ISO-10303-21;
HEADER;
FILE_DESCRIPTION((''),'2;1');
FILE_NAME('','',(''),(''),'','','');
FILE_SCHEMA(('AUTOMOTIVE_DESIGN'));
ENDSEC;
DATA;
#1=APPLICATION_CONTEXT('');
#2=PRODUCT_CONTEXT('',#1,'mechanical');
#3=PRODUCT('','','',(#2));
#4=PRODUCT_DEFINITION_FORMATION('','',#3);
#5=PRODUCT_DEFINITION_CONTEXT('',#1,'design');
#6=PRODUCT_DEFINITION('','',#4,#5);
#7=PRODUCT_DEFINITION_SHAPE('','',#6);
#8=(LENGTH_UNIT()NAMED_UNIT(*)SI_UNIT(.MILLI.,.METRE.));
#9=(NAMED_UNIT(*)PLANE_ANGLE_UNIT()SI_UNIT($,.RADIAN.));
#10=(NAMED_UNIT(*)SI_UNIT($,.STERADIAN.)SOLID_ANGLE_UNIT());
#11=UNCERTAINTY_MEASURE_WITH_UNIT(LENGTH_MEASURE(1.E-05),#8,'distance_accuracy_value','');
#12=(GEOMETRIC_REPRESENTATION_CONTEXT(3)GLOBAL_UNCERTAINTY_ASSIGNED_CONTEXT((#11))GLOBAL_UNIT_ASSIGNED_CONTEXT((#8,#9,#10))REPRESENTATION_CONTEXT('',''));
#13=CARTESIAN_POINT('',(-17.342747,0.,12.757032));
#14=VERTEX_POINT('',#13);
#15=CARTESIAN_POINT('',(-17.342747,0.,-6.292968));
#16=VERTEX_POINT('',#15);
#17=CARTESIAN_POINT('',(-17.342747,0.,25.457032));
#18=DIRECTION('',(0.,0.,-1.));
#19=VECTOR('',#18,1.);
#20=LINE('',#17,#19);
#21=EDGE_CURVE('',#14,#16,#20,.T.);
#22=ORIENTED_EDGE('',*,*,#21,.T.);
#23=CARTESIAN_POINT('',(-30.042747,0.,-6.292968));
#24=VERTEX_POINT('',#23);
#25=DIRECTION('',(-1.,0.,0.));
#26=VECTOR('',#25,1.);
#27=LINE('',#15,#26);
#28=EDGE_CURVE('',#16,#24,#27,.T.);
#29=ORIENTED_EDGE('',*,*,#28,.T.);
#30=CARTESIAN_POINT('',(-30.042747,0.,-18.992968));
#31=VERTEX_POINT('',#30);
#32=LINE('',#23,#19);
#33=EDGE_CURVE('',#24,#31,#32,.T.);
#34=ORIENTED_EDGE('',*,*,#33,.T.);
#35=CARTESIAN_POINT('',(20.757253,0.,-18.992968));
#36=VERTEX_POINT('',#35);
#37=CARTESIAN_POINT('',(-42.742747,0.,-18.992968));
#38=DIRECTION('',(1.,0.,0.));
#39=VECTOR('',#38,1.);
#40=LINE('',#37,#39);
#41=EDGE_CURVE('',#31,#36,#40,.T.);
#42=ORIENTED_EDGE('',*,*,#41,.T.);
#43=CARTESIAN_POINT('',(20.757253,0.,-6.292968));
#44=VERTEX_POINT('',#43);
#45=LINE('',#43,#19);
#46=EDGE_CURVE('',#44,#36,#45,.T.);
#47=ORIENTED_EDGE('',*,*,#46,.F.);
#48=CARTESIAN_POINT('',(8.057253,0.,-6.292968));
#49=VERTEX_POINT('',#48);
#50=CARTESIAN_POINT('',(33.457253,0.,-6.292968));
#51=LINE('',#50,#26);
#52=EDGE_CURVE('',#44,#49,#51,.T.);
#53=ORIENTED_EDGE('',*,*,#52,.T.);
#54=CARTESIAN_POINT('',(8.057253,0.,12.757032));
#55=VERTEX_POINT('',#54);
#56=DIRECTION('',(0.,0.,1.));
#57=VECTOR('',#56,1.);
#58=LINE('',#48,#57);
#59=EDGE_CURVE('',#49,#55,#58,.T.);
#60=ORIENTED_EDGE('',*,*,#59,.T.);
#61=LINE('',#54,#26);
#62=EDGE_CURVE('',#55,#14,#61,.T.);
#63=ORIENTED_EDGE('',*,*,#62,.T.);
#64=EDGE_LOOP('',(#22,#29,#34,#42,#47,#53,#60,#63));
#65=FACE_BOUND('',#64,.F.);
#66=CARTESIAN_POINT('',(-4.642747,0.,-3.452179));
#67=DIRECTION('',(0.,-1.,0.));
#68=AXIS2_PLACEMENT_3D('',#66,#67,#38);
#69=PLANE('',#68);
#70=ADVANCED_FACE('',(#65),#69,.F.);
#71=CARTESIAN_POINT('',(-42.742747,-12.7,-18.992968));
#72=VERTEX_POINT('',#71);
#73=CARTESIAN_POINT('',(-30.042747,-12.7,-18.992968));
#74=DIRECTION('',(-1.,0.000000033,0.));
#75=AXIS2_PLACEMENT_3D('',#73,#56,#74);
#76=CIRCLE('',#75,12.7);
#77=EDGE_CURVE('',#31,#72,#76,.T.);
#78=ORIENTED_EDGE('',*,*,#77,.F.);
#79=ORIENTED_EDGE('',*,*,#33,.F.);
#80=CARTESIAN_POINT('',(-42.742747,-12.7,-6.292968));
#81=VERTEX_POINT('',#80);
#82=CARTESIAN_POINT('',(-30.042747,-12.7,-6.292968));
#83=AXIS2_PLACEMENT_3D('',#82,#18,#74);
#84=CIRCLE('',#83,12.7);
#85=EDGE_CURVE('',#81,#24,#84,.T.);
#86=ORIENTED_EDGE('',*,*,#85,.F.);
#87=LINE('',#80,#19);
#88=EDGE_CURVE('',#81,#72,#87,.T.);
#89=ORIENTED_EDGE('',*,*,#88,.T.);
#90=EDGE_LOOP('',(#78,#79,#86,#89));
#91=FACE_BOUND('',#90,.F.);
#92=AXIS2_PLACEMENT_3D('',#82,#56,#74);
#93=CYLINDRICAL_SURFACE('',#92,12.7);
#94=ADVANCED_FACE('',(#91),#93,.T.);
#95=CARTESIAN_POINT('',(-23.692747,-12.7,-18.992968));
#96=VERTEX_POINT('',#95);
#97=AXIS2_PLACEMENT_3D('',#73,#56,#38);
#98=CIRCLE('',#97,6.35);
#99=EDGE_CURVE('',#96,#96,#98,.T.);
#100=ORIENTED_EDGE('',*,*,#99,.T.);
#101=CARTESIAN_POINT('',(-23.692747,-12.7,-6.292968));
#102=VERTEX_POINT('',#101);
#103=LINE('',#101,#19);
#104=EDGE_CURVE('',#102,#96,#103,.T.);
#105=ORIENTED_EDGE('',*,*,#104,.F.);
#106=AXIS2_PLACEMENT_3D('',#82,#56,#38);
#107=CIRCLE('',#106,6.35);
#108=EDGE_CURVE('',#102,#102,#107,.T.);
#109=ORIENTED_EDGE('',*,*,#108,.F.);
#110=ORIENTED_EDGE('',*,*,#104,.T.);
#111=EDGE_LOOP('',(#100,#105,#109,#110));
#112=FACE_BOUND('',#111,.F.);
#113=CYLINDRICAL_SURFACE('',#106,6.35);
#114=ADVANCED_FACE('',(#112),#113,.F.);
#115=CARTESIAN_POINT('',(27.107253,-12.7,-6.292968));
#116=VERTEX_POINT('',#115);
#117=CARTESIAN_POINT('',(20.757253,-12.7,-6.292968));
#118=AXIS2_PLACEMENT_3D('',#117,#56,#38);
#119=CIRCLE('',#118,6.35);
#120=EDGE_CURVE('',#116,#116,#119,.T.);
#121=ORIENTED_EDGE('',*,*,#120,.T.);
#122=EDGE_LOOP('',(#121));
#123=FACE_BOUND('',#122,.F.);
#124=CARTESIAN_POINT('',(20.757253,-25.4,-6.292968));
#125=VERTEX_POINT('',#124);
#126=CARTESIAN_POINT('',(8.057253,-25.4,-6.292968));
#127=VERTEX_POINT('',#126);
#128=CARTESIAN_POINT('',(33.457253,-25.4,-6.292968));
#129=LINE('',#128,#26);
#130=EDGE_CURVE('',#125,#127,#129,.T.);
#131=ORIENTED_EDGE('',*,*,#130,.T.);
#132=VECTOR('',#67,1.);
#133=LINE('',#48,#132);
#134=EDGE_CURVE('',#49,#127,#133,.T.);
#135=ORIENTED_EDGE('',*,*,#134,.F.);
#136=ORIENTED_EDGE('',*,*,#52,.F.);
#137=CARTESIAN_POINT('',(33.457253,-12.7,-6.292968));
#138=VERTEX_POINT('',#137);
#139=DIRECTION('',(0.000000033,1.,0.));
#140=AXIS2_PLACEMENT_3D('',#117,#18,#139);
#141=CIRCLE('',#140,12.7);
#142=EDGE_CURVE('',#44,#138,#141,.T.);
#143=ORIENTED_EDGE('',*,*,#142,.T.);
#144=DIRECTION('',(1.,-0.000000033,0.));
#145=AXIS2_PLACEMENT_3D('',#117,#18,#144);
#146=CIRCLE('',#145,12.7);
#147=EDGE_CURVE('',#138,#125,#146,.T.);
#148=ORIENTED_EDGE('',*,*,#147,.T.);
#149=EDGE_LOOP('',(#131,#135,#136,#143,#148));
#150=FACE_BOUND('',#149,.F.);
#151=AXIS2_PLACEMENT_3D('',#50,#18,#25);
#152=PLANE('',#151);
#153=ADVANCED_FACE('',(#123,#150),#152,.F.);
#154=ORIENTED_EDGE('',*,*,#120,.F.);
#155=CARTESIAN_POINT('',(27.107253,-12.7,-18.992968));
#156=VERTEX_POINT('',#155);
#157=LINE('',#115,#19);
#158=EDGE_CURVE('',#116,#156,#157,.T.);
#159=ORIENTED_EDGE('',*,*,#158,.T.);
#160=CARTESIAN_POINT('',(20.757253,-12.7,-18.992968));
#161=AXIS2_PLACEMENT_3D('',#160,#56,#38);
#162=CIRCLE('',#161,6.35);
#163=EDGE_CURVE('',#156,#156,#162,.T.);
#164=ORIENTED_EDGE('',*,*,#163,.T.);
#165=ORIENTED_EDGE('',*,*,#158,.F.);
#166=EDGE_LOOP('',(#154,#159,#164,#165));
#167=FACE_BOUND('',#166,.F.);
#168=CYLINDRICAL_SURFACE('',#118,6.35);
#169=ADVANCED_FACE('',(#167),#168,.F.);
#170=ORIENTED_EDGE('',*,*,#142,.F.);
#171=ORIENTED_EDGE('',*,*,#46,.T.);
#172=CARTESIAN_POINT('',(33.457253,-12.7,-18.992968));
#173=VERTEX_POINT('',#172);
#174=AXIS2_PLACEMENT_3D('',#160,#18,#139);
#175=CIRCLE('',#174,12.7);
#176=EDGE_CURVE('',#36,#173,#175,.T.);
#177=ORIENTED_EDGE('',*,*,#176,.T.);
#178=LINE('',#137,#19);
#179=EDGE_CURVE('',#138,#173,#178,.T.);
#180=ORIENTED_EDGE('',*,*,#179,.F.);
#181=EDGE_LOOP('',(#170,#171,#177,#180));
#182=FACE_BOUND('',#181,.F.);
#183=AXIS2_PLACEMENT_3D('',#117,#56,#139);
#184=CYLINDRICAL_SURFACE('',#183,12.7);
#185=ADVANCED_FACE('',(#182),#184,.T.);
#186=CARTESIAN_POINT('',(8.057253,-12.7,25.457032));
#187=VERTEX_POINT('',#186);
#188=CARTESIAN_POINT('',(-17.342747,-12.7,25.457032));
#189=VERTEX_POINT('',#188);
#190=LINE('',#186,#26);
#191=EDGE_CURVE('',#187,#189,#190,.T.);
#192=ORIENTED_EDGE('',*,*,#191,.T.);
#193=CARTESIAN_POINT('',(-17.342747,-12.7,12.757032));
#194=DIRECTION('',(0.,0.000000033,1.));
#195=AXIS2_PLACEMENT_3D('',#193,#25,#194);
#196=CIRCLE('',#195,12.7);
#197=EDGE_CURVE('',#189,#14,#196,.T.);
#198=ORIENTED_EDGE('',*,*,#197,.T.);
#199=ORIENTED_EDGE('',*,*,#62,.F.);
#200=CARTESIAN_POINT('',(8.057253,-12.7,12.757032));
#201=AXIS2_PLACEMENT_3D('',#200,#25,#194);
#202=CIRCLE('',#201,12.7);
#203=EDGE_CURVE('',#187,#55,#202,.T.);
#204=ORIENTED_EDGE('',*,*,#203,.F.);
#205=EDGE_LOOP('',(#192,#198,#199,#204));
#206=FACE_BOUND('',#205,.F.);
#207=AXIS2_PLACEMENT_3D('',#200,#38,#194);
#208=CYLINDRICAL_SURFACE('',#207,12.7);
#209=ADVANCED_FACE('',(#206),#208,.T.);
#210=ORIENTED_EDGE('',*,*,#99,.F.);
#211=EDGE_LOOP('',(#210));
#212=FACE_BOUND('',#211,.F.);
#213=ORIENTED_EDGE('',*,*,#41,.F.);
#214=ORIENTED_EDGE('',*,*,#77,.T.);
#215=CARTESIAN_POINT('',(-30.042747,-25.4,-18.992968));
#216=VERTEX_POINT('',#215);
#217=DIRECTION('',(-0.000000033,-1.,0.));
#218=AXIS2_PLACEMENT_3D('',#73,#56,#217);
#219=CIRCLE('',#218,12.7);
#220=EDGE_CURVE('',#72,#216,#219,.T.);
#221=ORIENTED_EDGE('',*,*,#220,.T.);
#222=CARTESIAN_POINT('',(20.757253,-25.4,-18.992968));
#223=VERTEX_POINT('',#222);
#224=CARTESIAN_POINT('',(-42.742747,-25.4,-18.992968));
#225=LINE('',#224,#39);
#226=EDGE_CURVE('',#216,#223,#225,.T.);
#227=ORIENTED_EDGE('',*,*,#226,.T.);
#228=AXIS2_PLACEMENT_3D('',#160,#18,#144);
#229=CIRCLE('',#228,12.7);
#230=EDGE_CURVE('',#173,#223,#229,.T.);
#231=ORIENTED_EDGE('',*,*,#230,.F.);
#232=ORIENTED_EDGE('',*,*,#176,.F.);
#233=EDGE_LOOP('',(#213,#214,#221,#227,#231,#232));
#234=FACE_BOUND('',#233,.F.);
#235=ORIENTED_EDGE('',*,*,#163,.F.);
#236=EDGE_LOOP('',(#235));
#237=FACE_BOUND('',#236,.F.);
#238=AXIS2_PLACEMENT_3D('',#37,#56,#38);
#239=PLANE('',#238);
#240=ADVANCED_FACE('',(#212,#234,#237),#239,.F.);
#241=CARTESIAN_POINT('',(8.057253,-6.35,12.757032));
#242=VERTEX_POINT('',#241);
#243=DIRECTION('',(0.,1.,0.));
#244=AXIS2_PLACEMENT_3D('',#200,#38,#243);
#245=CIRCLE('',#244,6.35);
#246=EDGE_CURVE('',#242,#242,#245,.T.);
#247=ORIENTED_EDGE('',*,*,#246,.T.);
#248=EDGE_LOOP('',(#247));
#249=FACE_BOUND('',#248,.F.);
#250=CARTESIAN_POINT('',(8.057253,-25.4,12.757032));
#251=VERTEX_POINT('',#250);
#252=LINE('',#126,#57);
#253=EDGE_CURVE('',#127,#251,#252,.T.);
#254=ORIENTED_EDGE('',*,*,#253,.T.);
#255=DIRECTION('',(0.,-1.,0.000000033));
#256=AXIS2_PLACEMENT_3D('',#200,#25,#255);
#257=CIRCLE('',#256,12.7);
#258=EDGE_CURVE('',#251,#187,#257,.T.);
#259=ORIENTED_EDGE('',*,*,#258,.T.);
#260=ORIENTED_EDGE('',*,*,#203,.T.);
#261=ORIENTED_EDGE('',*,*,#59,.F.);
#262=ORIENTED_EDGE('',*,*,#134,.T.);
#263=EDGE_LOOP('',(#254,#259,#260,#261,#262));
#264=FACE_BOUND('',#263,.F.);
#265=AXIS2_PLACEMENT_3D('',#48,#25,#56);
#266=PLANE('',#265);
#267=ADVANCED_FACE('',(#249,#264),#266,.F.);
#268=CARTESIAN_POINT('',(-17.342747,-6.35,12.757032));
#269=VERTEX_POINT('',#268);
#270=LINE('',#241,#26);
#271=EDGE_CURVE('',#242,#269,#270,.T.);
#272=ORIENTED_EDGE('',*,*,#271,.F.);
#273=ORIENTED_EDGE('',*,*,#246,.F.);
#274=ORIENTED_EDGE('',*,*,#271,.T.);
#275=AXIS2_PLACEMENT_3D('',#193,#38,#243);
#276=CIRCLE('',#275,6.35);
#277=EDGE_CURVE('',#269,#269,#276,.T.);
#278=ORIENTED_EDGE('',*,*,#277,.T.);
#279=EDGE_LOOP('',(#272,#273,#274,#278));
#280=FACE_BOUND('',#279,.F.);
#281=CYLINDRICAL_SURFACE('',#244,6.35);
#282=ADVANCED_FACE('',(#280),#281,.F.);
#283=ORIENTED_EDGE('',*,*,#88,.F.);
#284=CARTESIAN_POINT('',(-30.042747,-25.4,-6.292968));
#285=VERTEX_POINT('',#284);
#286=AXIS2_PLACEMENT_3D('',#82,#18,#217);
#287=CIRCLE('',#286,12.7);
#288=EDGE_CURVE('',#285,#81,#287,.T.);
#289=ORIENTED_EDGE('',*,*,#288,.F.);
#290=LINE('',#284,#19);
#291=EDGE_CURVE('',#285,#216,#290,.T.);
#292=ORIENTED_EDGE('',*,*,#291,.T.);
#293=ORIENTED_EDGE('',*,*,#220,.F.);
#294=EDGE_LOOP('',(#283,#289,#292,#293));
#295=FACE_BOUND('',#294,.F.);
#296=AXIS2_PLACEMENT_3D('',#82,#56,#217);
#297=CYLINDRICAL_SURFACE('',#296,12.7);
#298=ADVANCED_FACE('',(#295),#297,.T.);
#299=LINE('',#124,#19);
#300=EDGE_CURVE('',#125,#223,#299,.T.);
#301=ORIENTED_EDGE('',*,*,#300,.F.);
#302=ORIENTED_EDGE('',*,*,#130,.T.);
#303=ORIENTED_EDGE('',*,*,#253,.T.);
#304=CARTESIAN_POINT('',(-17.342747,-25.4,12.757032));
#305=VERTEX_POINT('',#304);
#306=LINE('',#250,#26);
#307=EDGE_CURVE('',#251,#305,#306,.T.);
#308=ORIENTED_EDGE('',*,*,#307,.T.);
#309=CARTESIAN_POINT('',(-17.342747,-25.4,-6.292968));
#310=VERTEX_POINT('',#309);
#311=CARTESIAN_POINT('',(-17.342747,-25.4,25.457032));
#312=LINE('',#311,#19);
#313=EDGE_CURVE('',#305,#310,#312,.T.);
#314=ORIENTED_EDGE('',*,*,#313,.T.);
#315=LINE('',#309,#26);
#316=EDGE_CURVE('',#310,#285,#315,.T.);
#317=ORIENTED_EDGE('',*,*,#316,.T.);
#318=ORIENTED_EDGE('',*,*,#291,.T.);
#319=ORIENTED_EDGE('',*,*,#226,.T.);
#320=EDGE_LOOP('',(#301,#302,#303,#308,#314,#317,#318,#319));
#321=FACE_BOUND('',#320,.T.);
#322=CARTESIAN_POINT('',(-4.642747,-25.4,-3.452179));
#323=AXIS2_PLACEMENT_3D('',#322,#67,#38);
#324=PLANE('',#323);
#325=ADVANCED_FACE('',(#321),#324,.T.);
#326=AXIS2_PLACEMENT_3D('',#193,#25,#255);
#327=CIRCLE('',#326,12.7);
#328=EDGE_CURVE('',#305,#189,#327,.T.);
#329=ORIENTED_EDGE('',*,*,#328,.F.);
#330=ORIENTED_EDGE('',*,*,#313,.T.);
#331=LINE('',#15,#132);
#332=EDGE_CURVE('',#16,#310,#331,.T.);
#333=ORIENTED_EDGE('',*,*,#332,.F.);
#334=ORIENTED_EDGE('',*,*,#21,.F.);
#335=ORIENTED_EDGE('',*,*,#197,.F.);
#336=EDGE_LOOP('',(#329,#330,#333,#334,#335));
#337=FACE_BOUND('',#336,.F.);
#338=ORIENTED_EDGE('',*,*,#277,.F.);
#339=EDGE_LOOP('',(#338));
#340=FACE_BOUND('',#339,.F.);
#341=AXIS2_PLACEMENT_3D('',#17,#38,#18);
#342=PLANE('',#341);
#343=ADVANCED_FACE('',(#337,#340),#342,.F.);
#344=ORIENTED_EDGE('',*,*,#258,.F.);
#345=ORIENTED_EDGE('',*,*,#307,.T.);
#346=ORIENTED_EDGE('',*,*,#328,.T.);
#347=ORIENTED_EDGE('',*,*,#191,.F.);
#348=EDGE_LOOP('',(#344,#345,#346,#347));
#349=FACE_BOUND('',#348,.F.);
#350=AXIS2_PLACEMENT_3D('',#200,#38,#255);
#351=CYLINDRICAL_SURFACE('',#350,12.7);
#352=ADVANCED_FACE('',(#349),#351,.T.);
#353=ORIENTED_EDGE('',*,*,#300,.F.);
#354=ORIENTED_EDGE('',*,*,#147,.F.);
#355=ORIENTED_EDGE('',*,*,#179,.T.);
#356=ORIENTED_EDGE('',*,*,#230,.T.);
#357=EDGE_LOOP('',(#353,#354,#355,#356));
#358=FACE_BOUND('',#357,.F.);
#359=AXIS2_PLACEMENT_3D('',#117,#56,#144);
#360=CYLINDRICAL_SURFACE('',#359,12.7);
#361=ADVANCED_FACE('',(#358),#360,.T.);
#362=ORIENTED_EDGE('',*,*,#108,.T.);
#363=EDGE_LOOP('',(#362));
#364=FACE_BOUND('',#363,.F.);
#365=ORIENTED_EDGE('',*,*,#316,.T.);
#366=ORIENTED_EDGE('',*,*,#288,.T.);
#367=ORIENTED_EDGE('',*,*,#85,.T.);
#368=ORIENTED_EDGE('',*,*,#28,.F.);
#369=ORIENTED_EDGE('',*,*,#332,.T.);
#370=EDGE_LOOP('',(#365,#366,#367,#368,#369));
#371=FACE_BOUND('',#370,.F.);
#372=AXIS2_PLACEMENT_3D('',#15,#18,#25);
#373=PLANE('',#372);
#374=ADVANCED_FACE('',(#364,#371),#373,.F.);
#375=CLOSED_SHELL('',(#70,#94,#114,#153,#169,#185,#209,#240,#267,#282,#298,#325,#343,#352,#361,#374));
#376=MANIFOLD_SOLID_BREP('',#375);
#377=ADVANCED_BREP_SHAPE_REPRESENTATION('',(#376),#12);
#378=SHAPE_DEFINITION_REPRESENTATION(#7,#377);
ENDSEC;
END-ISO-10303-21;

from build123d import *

# Parameters (mm, degrees)
F1_DEPTH = 25.4
F2_R     = 6.35
F3_DEPTH = 12.7
F4_R     = 6.35
F5_DEPTH = 25.4
F6_R     = 6.35
F7_DEPTH = 25.4


with BuildPart() as f1:
    # F0 (on Front) → F1 (new body)
    with BuildSketch(Plane.XZ):
        Polygon((8.057253, 25.457032), (-17.342747, 25.457032), (-17.342747, -6.292968), (-42.742747, -6.292968), (-42.742747, -18.992968), (33.457253, -18.992968), (33.457253, -6.292968), (8.057253, -6.292968), align=None)
    extrude(amount=F1_DEPTH)

    # F2 (on face) → F3 (cut)
    with BuildSketch(Plane.XY.offset(-6.292968)):
        with Locations((20.757253, -12.7)):
            Circle(F2_R)
        with BuildLine():
            ThreePointArc((20.757253, 0), (29.737509, -3.719744), (33.457253, -12.7))
            Line((33.457253, -12.7), (33.457253, 0))
            Line((33.457253, 0), (20.757253, 0))
        make_face()
        with BuildLine():
            Line((33.457253, -25.4), (33.457253, -12.7))
            ThreePointArc((33.457253, -12.7), (29.737509, -21.680256), (20.757253, -25.4))
            Line((20.757253, -25.4), (33.457253, -25.4))
        make_face()
    extrude(amount=-F3_DEPTH, mode=Mode.SUBTRACT)

    # F4 (on face) → F5 (cut)
    with BuildSketch(Plane.XY.offset(-6.292968)):
        with BuildLine():
            ThreePointArc((-30.042747, -25.4), (-39.023003, -21.680256), (-42.742747, -12.7))
            Line((-42.742747, -12.7), (-42.742747, -25.4))
            Line((-42.742747, -25.4), (-33.184517, -25.4))
            Line((-33.184517, -25.4), (-30.042747, -25.4))
        make_face()
        with Locations((-30.042747, -12.7)):
            Circle(F4_R)
        with BuildLine():
            ThreePointArc((-42.742747, -12.7), (-39.023003, -3.719744), (-30.042747, 0))
            Line((-30.042747, 0), (-32.238074, 0))
            Line((-32.238074, 0), (-42.742747, 0))
            Line((-42.742747, 0), (-42.742747, -12.7))
        make_face()
    extrude(amount=-F5_DEPTH, mode=Mode.SUBTRACT)

    # F6 (on face) → F7 (cut)
    with BuildSketch(Plane.YZ.offset(8.057253)):
        with Locations((-12.7, 12.757032)):
            Circle(F6_R)
        with BuildLine():
            Line((0, 25.457032), (-12.7, 25.457032))
            ThreePointArc((-12.7, 25.457032), (-3.719744, 21.737288), (0, 12.757032))
            Line((0, 12.757032), (0, 16.704505))
            Line((0, 16.704505), (0, 25.457032))
        make_face()
        with BuildLine():
            Line((-25.4, 15.099765), (-25.4, 12.757032))
            ThreePointArc((-25.4, 12.757032), (-21.680256, 21.737288), (-12.7, 25.457032))
            Line((-12.7, 25.457032), (-25.4, 25.457032))
            Line((-25.4, 25.457032), (-25.4, 15.099765))
        make_face()
    extrude(amount=-F7_DEPTH, mode=Mode.SUBTRACT)


solid = f1.part
